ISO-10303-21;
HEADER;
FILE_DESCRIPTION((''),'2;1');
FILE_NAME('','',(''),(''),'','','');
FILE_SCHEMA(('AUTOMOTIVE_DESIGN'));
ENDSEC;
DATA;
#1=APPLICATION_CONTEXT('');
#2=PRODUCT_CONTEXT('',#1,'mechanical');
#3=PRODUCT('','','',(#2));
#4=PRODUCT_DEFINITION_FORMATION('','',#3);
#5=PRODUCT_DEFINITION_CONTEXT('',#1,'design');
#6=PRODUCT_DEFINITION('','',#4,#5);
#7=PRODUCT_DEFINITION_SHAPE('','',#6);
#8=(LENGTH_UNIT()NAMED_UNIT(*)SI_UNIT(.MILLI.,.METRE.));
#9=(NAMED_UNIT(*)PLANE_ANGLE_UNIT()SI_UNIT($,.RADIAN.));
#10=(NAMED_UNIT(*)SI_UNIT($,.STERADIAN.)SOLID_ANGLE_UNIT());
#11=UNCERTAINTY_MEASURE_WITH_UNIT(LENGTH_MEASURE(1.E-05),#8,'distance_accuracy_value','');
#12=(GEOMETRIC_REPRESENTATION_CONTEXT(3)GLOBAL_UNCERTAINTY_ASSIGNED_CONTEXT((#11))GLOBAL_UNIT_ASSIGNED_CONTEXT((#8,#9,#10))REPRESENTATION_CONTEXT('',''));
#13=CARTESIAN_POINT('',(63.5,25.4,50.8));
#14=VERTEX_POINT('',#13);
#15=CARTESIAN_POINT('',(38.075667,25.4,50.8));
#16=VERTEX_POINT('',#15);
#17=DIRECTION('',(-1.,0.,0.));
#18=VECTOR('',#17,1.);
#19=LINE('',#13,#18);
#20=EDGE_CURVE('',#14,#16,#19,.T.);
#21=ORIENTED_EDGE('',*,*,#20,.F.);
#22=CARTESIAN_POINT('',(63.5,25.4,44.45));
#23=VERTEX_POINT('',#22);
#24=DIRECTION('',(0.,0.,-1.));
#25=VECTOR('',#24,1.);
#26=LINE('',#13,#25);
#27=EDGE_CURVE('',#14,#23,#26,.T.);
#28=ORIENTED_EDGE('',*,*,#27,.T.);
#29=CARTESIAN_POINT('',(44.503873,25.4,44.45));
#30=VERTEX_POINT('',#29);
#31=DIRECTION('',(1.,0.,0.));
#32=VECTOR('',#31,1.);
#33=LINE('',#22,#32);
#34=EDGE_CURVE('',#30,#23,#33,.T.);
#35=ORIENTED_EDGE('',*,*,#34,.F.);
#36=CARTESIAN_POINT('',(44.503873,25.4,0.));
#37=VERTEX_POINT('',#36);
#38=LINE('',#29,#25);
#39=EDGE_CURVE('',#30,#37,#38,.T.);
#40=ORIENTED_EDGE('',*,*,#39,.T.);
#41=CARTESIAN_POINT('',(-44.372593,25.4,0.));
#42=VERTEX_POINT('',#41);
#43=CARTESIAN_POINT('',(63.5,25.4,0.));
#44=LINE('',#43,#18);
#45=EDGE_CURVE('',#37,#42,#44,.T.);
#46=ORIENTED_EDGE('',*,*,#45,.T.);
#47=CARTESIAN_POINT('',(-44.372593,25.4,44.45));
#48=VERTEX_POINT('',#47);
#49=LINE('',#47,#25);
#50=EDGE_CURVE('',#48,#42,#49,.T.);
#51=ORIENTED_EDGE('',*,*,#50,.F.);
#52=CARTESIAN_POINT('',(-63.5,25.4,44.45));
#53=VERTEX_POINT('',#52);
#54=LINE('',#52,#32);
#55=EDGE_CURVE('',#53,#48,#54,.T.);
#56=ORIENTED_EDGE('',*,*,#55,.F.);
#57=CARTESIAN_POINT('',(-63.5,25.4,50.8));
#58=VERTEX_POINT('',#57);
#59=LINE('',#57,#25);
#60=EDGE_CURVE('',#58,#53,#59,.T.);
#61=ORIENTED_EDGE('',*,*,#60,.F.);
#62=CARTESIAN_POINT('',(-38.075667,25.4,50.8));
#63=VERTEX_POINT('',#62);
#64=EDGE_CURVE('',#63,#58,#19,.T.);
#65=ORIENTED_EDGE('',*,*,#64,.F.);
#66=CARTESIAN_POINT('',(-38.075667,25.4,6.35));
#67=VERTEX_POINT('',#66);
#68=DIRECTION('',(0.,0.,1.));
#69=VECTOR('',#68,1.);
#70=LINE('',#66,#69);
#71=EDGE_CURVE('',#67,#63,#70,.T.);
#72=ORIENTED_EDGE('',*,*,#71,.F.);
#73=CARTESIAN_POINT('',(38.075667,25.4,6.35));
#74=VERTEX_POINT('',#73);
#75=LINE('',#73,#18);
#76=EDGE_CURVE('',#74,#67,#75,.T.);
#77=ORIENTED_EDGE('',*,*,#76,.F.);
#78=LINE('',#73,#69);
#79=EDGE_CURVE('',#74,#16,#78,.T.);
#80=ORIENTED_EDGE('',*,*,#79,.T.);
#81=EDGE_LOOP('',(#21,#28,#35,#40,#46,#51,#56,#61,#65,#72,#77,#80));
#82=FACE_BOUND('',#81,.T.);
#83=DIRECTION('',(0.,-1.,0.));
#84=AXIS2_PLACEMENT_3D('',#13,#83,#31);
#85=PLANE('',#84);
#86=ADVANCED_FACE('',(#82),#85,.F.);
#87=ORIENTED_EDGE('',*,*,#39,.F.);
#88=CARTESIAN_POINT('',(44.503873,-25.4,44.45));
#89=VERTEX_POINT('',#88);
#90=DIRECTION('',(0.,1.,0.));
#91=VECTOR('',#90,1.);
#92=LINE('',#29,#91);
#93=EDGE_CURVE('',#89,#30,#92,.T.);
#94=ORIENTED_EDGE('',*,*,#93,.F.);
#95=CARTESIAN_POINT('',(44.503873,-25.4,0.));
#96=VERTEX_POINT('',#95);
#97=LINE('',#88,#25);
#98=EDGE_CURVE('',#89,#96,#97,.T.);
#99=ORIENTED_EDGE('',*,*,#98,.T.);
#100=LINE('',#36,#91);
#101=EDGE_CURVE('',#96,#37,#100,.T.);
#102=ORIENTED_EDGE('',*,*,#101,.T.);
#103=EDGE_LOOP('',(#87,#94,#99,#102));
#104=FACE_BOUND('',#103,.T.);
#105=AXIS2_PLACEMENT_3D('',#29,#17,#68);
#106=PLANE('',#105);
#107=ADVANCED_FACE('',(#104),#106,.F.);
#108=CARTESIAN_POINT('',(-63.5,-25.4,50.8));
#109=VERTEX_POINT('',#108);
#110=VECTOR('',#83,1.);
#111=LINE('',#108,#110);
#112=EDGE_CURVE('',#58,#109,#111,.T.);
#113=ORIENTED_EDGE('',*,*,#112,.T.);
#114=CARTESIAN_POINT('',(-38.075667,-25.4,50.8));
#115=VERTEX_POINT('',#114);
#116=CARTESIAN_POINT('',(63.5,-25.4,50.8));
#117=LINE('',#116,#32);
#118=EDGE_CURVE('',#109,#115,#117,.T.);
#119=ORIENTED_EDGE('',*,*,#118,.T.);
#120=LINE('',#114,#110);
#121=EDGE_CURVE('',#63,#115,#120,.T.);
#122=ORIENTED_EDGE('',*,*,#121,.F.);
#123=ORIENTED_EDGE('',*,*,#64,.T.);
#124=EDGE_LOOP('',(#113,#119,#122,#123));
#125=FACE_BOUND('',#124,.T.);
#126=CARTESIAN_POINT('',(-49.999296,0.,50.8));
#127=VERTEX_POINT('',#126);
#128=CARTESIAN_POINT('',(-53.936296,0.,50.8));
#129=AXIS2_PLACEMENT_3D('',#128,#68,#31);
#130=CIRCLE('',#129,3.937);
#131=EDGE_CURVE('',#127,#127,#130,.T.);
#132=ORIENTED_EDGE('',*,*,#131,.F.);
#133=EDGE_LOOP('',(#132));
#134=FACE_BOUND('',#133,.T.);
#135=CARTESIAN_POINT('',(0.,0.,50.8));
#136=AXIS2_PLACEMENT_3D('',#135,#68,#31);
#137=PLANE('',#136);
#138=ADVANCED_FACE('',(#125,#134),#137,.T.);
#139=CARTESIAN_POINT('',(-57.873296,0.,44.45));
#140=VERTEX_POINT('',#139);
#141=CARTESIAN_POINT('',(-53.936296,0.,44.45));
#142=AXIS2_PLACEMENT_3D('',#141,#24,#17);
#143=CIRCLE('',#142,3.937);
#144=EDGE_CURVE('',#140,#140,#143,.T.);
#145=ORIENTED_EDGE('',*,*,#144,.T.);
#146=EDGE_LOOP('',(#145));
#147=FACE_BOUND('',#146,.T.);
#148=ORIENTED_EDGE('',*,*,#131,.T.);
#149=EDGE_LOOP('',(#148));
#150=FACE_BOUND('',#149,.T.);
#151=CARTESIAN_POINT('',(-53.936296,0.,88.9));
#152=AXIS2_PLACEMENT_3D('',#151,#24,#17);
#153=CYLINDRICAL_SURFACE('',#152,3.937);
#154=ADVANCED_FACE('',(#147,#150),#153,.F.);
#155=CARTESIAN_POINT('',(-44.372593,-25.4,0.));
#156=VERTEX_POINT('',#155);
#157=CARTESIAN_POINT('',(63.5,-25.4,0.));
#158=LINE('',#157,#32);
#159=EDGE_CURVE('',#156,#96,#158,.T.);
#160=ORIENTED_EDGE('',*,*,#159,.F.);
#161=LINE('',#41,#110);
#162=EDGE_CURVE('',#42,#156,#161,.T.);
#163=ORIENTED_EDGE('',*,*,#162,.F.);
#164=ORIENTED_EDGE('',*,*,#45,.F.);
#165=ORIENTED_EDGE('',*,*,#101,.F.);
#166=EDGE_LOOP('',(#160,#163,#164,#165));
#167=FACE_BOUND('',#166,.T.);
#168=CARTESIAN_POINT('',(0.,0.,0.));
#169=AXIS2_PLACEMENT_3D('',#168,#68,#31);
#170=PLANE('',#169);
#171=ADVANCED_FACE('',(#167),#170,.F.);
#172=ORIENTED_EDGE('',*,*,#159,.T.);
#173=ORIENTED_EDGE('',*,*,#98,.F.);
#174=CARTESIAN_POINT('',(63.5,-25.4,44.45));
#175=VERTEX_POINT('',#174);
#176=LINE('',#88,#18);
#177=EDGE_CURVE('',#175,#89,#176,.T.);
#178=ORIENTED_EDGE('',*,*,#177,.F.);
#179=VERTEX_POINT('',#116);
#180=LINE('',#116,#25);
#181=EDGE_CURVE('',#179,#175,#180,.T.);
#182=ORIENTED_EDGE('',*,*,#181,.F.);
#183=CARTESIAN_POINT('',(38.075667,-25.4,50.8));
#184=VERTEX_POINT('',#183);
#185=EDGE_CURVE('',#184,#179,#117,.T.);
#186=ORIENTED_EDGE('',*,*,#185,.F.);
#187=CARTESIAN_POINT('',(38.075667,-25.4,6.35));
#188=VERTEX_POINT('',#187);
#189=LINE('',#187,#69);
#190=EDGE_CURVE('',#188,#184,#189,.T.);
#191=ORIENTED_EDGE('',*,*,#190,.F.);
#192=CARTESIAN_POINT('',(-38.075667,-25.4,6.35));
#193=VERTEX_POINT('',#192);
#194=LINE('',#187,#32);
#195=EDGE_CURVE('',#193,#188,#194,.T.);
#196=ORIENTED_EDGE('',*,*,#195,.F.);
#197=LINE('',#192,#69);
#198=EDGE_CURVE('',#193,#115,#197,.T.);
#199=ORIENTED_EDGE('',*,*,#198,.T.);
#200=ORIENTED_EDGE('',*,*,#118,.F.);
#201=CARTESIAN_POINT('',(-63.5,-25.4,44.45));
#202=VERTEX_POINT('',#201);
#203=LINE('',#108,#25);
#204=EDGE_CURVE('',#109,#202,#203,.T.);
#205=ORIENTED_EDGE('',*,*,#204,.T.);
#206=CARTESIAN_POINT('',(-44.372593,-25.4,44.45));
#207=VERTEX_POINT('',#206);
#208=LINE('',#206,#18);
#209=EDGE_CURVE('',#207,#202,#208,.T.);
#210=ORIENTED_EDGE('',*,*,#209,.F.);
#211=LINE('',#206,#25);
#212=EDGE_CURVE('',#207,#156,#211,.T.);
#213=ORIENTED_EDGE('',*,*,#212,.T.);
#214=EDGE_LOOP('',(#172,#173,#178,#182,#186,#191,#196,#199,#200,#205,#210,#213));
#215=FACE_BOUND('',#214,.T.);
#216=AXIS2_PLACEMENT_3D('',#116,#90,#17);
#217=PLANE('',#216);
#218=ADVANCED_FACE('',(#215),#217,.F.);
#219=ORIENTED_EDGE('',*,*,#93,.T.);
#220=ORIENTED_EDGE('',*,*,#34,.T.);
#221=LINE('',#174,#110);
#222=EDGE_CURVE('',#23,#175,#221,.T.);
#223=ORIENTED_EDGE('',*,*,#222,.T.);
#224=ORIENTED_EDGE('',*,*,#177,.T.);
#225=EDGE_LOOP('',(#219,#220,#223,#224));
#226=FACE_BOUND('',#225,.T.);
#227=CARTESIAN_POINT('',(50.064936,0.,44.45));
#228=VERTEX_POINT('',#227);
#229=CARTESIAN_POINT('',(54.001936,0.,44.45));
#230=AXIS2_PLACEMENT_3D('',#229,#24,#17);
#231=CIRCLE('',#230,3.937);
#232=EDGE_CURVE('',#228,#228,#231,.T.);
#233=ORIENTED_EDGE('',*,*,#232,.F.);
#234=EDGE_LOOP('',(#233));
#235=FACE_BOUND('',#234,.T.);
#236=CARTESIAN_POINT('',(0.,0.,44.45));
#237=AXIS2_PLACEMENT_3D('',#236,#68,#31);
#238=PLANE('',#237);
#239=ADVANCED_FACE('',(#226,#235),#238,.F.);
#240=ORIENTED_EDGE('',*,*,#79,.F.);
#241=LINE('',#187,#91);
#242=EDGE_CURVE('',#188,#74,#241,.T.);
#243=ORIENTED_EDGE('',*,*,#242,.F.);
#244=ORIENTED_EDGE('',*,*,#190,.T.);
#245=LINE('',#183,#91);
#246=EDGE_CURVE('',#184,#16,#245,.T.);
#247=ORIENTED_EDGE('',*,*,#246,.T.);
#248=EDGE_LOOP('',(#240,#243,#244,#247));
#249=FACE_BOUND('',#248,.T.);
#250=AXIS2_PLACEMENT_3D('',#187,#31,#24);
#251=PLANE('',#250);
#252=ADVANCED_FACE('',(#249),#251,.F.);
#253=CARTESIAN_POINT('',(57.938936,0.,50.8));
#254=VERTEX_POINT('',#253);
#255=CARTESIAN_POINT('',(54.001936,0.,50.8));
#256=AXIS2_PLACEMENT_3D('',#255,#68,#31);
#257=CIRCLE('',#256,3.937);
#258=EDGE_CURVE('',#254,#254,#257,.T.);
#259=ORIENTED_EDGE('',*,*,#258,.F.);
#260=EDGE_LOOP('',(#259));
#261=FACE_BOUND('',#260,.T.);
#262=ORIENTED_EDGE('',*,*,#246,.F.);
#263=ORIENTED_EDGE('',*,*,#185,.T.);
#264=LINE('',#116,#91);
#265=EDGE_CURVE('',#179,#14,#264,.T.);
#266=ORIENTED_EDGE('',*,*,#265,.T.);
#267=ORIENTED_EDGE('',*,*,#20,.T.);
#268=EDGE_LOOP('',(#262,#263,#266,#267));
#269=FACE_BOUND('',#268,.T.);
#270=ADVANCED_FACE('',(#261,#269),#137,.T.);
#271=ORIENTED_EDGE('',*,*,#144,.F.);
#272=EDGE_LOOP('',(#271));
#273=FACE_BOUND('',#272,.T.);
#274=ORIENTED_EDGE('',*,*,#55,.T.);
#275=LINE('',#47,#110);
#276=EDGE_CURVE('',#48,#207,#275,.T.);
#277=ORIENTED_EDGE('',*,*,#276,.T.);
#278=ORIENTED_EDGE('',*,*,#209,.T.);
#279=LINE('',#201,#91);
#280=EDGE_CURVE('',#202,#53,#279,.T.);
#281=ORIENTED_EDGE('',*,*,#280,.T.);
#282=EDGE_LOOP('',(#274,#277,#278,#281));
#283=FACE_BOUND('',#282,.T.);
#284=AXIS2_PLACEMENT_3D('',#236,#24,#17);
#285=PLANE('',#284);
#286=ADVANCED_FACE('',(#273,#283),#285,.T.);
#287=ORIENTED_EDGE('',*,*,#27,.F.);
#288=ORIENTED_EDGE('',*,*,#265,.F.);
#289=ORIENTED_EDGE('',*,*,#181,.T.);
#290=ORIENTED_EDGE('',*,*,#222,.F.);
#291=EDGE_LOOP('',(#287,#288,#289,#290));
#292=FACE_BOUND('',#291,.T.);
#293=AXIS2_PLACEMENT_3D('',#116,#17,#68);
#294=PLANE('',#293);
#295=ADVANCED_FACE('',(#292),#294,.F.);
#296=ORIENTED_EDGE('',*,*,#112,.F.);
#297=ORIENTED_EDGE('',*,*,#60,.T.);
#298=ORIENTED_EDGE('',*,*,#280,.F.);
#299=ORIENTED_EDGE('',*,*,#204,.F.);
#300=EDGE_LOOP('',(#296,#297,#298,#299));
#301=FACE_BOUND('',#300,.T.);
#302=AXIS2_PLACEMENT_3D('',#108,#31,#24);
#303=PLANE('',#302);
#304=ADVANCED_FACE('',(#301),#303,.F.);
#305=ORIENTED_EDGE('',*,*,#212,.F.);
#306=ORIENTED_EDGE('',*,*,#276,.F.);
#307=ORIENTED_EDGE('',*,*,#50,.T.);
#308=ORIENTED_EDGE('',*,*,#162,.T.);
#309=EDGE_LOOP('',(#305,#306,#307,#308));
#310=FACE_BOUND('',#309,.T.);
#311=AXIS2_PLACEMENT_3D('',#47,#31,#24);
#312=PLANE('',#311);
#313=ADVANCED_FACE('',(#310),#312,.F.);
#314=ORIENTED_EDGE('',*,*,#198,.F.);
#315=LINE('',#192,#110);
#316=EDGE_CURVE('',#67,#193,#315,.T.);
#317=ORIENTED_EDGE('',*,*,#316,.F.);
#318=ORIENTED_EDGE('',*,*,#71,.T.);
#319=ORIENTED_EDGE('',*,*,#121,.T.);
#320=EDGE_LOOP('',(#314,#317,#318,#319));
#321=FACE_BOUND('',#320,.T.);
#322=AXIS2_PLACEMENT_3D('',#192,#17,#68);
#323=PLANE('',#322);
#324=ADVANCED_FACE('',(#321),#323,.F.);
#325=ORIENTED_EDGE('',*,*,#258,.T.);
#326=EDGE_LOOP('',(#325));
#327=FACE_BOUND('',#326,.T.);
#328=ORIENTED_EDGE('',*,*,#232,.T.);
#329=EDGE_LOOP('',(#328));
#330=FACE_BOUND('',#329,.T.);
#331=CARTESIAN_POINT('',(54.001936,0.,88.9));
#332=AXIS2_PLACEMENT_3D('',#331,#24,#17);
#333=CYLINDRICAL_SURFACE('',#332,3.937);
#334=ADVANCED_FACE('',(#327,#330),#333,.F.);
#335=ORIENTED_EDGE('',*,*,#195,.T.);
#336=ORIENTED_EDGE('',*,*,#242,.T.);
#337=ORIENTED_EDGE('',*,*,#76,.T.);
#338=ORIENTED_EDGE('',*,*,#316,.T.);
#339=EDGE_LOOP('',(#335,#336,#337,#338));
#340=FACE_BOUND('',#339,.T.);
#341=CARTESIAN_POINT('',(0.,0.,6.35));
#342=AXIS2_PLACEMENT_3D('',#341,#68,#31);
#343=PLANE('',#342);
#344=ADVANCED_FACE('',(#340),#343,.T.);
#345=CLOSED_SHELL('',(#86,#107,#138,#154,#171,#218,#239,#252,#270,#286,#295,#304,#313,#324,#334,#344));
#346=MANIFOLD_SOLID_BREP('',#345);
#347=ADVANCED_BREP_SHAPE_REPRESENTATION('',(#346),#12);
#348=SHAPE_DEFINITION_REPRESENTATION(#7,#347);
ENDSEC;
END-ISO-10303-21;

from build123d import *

# Parameters (mm, degrees)
SKETCH1_W           = 127
SKETCH1_H           = 50.8
BOSS_EXTRUDE1_DEPTH = 50.8
SKETCH2_W           = 18.996127276
SKETCH2_H           = 50.8
SKETCH2_W_2         = 19.127407137
CUT_EXTRUDE1_DEPTH  = 44.45
SKETCH3_W           = 76.151334044
SKETCH3_H           = 50.8
CUT_EXTRUDE2_DEPTH  = 44.45
SKETCH5_R           = 3.937
CUT_EXTRUDE4_DEPTH  = 44.45
SKETCH6_R           = 3.937
CUT_EXTRUDE5_DEPTH  = 44.45


with BuildPart() as part:
    # Sketch1 → Boss-Extrude1 (new body)
    with BuildSketch(Plane.XY):
        Rectangle(SKETCH1_W, SKETCH1_H)
    extrude(amount=BOSS_EXTRUDE1_DEPTH)

    # Sketch2 → Cut-Extrude1 (cut)
    with BuildSketch(Plane(origin=(0, 0, 0), x_dir=(-1, 0, 0), z_dir=(0, 0, -1))):
        with Locations((-54.001936362, 0)):
            Rectangle(SKETCH2_W, SKETCH2_H)
        with Locations((53.936296432, 0)):
            Rectangle(SKETCH2_W_2, SKETCH2_H)
    extrude(amount=-CUT_EXTRUDE1_DEPTH, mode=Mode.SUBTRACT)

    # Sketch3 → Cut-Extrude2 (cut)
    with BuildSketch(Plane.XY.offset(50.8)):
        Rectangle(SKETCH3_W, SKETCH3_H)
    extrude(amount=-CUT_EXTRUDE2_DEPTH, mode=Mode.SUBTRACT)

    # Sketch5 → Cut-Extrude4 (cut)
    with BuildSketch(Plane(origin=(0, 0, 44.45), x_dir=(-1, 0, 0), z_dir=(0, 0, -1))):
        with Locations((-54.001936362, 0)):
            Circle(SKETCH5_R)
    extrude(amount=-CUT_EXTRUDE4_DEPTH, mode=Mode.SUBTRACT)

    # Sketch6 → Cut-Extrude5 (cut)
    with BuildSketch(Plane(origin=(0, 0, 44.45), x_dir=(-1, 0, 0), z_dir=(0, 0, -1))):
        with Locations((53.936296432, 0)):
            Circle(SKETCH6_R)
    extrude(amount=-CUT_EXTRUDE5_DEPTH, mode=Mode.SUBTRACT)


solid = part.part
